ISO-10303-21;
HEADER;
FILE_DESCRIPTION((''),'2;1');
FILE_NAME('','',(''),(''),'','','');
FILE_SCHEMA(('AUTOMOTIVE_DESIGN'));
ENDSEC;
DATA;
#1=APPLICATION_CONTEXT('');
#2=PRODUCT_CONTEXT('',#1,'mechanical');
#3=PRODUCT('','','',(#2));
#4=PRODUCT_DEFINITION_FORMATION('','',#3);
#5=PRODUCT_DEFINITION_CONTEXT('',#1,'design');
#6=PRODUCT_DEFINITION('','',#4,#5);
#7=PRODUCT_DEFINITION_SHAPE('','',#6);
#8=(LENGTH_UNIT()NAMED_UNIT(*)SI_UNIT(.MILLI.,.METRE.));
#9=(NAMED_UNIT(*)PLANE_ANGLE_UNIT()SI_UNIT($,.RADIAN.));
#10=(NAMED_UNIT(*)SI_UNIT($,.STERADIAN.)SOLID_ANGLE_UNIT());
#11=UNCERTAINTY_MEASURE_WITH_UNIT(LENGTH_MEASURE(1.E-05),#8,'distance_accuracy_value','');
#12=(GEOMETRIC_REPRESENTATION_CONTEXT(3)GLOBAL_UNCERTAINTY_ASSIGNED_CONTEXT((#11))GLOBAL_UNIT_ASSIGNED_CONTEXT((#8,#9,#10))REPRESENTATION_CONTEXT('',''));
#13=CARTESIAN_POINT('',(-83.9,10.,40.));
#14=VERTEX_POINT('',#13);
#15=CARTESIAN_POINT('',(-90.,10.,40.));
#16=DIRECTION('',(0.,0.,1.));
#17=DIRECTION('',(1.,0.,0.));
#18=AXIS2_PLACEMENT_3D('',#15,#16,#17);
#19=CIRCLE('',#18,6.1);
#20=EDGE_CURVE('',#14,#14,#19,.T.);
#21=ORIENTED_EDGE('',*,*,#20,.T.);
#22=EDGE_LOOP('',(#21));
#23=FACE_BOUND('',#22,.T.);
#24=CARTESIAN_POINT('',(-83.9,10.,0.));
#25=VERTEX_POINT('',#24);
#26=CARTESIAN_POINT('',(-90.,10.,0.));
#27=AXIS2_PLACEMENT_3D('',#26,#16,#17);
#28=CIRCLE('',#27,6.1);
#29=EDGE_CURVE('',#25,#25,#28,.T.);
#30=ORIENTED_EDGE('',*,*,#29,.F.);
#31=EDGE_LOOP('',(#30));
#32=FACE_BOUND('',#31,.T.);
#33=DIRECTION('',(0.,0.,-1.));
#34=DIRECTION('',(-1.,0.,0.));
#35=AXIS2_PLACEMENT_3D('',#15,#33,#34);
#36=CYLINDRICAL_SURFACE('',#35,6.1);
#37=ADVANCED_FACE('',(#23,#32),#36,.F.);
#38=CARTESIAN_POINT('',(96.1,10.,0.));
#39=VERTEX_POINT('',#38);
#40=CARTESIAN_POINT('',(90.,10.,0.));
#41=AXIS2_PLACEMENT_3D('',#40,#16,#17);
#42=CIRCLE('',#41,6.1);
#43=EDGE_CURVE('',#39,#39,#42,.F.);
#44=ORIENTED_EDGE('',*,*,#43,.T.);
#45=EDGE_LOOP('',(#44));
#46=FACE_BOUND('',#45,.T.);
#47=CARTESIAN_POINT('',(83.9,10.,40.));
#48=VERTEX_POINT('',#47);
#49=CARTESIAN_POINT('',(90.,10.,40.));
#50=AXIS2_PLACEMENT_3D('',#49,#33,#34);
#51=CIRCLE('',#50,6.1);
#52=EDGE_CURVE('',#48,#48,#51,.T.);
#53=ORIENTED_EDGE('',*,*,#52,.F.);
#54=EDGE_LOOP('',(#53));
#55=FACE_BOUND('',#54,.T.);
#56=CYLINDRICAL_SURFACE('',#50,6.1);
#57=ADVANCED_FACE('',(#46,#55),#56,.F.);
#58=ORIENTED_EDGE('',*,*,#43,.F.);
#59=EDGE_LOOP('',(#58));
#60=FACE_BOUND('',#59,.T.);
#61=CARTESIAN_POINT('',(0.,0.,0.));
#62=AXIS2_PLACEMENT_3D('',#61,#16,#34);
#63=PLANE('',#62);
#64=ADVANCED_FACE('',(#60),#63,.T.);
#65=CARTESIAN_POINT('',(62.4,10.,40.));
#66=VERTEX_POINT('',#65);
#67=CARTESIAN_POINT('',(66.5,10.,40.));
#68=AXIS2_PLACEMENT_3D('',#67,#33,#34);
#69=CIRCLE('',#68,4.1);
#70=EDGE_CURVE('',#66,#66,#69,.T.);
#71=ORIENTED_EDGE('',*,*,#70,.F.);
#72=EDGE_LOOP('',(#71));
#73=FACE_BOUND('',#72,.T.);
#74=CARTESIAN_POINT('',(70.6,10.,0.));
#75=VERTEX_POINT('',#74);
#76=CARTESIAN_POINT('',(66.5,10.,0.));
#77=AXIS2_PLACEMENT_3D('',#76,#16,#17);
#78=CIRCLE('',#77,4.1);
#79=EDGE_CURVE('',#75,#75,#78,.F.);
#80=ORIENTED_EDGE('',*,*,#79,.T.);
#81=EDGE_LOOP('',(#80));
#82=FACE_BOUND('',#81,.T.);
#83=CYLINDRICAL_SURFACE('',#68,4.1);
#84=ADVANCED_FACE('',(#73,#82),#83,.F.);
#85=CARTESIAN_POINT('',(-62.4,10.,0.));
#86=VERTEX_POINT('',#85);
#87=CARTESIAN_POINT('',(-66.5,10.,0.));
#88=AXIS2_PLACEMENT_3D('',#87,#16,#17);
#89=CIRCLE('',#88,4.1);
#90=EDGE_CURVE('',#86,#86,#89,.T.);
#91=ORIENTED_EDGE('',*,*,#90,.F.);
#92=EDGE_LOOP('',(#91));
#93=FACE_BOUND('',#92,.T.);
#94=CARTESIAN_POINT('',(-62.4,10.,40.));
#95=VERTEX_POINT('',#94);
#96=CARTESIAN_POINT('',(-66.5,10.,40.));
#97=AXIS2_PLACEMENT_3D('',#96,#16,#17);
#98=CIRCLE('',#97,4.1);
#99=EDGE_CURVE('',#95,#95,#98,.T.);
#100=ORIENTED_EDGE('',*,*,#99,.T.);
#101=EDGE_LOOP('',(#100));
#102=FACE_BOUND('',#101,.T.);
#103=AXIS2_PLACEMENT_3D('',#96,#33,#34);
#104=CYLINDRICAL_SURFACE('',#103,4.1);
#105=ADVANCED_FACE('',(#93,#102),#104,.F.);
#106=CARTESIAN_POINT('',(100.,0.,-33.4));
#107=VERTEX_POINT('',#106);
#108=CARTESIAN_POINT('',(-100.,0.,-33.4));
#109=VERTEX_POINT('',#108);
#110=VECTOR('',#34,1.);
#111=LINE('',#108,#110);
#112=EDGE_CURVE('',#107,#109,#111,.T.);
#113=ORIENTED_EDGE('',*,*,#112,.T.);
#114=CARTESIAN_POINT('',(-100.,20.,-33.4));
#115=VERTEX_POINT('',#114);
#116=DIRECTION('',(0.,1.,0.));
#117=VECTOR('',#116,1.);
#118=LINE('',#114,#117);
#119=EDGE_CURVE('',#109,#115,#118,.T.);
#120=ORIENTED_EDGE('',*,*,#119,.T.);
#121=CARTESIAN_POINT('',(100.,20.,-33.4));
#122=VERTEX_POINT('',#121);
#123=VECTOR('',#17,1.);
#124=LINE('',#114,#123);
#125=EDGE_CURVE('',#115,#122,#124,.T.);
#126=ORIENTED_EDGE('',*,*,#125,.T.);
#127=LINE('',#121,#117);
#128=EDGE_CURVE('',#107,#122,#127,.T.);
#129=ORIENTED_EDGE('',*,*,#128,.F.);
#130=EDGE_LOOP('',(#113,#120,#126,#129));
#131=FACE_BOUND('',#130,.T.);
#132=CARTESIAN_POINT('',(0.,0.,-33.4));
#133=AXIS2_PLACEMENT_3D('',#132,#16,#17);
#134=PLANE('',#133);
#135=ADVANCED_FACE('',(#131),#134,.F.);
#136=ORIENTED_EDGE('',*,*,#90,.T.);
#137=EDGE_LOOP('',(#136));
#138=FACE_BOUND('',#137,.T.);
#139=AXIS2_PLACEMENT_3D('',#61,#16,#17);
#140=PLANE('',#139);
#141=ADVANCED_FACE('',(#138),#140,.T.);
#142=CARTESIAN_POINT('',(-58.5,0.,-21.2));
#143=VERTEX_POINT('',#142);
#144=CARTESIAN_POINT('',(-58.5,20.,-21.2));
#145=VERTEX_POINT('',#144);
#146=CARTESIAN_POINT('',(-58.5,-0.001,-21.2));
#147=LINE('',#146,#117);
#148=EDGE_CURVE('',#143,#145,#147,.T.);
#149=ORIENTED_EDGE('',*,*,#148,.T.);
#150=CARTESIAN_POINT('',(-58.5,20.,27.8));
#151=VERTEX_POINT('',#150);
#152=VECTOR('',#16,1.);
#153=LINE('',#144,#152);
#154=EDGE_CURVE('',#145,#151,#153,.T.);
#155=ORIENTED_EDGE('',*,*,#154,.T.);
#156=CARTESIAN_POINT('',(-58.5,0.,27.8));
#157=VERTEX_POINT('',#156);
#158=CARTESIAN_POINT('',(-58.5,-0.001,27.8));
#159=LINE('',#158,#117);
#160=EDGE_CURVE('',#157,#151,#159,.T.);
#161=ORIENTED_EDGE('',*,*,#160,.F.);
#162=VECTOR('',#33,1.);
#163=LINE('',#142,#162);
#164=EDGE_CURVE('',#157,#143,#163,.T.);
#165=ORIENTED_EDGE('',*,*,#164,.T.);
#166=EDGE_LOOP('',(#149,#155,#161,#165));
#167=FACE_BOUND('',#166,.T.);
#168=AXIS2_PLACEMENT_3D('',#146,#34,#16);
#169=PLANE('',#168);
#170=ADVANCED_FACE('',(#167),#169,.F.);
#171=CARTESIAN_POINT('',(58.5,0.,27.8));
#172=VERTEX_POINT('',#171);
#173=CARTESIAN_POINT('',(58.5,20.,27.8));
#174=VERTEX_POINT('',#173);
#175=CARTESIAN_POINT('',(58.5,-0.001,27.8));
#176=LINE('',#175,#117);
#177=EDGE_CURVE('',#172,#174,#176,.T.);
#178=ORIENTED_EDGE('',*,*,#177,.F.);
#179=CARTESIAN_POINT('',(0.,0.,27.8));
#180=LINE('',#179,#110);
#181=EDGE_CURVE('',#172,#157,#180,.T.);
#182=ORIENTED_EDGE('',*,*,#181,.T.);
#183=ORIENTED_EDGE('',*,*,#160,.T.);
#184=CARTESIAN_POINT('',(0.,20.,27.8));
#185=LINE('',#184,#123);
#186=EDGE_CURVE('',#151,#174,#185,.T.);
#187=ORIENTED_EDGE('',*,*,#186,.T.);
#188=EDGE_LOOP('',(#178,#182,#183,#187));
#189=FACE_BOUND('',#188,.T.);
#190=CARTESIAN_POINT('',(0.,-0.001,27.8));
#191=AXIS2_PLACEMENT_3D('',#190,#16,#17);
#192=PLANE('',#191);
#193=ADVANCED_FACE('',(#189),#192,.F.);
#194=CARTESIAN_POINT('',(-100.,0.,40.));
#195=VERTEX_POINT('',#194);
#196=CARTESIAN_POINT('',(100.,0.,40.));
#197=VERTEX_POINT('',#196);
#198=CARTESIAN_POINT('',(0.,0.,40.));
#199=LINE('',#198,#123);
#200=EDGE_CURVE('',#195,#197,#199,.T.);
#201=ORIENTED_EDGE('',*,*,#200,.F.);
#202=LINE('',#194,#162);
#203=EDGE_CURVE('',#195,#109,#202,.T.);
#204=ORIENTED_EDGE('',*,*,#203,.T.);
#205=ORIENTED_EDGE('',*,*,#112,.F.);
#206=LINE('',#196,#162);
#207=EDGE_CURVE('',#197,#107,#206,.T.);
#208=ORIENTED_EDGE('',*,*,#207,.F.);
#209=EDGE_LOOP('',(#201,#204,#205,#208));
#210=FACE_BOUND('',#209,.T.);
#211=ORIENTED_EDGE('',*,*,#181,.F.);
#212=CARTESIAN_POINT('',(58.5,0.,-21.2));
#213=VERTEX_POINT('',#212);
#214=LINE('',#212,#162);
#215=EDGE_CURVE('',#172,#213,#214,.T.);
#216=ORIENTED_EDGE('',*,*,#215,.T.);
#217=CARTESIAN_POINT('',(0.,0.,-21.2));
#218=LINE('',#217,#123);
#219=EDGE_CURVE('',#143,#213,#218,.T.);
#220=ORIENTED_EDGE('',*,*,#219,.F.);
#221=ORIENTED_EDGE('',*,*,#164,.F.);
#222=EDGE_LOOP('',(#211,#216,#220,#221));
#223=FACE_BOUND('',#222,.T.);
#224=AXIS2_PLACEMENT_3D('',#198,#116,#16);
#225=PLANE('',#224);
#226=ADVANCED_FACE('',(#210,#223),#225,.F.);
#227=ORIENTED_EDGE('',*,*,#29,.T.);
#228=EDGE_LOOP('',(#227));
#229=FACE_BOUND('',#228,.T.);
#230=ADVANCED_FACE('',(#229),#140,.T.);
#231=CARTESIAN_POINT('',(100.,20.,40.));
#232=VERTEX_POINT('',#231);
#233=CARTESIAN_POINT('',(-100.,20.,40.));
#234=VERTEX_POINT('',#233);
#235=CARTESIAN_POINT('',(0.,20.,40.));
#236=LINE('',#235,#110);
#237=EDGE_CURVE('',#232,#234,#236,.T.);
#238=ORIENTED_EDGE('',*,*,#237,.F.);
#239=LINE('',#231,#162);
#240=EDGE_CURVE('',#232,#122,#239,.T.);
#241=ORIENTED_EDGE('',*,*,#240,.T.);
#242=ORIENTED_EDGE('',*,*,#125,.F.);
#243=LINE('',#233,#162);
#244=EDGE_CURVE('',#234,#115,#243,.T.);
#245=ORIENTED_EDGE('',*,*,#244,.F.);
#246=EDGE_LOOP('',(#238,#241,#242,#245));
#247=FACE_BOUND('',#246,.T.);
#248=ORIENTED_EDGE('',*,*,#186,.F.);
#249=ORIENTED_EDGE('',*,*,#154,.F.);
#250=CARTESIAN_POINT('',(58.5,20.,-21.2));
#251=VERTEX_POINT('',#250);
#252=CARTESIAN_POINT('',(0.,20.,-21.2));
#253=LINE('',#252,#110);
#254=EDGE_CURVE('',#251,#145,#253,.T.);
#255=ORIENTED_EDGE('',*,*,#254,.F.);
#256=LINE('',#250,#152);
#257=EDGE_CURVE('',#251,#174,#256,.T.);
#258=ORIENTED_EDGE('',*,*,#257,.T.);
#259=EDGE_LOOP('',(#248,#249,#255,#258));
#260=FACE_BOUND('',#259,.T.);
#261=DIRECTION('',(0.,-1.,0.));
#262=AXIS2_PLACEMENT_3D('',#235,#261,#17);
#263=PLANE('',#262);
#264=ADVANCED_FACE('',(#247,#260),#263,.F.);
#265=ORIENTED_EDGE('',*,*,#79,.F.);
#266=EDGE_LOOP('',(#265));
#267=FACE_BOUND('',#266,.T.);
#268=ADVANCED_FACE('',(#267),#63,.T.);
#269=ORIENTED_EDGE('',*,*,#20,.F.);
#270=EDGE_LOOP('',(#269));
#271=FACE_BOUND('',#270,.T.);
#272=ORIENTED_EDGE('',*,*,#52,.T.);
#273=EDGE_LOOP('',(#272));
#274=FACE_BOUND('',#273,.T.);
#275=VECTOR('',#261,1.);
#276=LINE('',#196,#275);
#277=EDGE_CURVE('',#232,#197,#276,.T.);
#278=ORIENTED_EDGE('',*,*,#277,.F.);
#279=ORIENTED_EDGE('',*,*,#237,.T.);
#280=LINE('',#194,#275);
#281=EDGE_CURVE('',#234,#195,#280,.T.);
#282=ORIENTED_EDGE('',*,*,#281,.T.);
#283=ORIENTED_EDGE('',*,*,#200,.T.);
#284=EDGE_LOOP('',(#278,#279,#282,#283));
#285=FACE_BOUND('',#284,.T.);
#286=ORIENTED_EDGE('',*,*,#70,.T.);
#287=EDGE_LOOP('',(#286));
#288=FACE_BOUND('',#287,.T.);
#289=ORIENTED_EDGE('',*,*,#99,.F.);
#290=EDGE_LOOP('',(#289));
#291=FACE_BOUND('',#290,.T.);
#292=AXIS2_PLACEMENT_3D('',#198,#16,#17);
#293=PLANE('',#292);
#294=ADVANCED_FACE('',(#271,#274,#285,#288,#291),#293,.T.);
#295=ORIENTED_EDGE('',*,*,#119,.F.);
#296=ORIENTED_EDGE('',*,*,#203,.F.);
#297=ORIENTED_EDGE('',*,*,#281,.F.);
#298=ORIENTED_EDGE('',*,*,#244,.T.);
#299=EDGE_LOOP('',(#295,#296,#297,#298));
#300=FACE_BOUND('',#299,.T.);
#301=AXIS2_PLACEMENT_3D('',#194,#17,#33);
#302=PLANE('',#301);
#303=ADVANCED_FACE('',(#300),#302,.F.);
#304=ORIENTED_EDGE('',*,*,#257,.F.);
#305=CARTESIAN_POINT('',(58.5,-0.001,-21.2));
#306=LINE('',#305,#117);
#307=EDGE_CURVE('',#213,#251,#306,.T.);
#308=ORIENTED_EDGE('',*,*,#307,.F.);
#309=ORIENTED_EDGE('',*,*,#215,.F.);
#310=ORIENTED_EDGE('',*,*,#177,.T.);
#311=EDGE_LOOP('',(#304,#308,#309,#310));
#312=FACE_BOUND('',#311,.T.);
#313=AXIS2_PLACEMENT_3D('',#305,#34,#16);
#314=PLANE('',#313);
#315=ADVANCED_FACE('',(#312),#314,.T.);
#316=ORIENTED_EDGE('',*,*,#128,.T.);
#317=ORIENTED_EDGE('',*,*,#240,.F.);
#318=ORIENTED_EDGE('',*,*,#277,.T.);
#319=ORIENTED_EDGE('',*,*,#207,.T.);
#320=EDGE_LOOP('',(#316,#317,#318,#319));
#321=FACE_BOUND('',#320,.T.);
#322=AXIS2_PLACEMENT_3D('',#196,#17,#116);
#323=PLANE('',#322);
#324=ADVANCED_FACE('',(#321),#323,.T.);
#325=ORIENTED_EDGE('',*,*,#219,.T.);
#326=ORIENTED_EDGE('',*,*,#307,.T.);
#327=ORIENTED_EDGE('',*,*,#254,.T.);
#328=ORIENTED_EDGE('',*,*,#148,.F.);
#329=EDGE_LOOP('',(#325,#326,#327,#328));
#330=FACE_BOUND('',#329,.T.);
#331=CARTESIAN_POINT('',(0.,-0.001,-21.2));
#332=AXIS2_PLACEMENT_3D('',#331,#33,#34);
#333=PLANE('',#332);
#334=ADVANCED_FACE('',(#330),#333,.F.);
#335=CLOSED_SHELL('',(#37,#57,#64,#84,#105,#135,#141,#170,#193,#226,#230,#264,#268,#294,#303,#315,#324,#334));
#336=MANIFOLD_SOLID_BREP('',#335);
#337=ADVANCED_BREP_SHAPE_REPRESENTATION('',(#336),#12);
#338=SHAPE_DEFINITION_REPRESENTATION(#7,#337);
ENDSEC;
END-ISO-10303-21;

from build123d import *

# Parameters (mm, degrees)
SKETCH1_W           = 100
SKETCH1_H           = 20
SKETCH1_R           = 6.1
SKETCH1_R_2         = 4.1
BOSS_EXTRUDE1_DEPTH = 40
SKETCH2_W           = 100
SKETCH2_H           = 20
BOSS_EXTRUDE2_DEPTH = 33.4
CUT_EXTRUDE1_REACH  = 111.545
SKETCH3_W           = 58.5
SKETCH3_H           = 49


with BuildPart() as part:
    # Sketch1 → Boss-Extrude1 (new body)
    with BuildSketch(Plane.XY):
        with Locations((-50, 10)):
            Rectangle(SKETCH1_W, SKETCH1_H)
        with Locations((-90, 10)):
            Circle(SKETCH1_R, mode=Mode.SUBTRACT)
        with Locations((-66.5, 10)):
            Circle(SKETCH1_R_2, mode=Mode.SUBTRACT)
    boss_extrude1 = extrude(amount=BOSS_EXTRUDE1_DEPTH)

    # Sketch2 → Boss-Extrude2 (add)
    with BuildSketch(Plane(origin=(0, 0, 0), x_dir=(-1, 0, 0), z_dir=(0, 0, -1))):
        with Locations((50, 10)):
            Rectangle(SKETCH2_W, SKETCH2_H)
    boss_extrude2 = extrude(amount=BOSS_EXTRUDE2_DEPTH)

    # Sketch3 → Cut-Extrude1 (cut, up to next)
    with BuildSketch(Plane(origin=(0, 20, 0), x_dir=(1, 0, 0), z_dir=(0, 1, 0)), mode=Mode.PRIVATE) as cut_extrude1_sk1:
        with Locations((-29.25, -3.3)):
            Rectangle(SKETCH3_W, SKETCH3_H)
    cut_extrude1_tool1 = extrude(cut_extrude1_sk1.sketch, amount=-CUT_EXTRUDE1_REACH, mode=Mode.PRIVATE) & part.part
    cut_extrude1 = cut_extrude1_tool1.solids().sort_by_distance((-29.25, 20, 3.3))[0]
    add(cut_extrude1, mode=Mode.SUBTRACT)

    # Mirror2: Boss-Extrude1, Boss-Extrude2, Cut-Extrude1 across plane
    add(boss_extrude1.mirror(Plane(origin=(0, 0, 40), x_dir=(0, 0, 1), z_dir=(-1, 0, 0))))
    add(boss_extrude2.mirror(Plane(origin=(0, 0, 40), x_dir=(0, 0, 1), z_dir=(-1, 0, 0))))
    add(cut_extrude1.mirror(Plane(origin=(0, 0, 40), x_dir=(0, 0, 1), z_dir=(-1, 0, 0))), mode=Mode.SUBTRACT)


solid = part.part
